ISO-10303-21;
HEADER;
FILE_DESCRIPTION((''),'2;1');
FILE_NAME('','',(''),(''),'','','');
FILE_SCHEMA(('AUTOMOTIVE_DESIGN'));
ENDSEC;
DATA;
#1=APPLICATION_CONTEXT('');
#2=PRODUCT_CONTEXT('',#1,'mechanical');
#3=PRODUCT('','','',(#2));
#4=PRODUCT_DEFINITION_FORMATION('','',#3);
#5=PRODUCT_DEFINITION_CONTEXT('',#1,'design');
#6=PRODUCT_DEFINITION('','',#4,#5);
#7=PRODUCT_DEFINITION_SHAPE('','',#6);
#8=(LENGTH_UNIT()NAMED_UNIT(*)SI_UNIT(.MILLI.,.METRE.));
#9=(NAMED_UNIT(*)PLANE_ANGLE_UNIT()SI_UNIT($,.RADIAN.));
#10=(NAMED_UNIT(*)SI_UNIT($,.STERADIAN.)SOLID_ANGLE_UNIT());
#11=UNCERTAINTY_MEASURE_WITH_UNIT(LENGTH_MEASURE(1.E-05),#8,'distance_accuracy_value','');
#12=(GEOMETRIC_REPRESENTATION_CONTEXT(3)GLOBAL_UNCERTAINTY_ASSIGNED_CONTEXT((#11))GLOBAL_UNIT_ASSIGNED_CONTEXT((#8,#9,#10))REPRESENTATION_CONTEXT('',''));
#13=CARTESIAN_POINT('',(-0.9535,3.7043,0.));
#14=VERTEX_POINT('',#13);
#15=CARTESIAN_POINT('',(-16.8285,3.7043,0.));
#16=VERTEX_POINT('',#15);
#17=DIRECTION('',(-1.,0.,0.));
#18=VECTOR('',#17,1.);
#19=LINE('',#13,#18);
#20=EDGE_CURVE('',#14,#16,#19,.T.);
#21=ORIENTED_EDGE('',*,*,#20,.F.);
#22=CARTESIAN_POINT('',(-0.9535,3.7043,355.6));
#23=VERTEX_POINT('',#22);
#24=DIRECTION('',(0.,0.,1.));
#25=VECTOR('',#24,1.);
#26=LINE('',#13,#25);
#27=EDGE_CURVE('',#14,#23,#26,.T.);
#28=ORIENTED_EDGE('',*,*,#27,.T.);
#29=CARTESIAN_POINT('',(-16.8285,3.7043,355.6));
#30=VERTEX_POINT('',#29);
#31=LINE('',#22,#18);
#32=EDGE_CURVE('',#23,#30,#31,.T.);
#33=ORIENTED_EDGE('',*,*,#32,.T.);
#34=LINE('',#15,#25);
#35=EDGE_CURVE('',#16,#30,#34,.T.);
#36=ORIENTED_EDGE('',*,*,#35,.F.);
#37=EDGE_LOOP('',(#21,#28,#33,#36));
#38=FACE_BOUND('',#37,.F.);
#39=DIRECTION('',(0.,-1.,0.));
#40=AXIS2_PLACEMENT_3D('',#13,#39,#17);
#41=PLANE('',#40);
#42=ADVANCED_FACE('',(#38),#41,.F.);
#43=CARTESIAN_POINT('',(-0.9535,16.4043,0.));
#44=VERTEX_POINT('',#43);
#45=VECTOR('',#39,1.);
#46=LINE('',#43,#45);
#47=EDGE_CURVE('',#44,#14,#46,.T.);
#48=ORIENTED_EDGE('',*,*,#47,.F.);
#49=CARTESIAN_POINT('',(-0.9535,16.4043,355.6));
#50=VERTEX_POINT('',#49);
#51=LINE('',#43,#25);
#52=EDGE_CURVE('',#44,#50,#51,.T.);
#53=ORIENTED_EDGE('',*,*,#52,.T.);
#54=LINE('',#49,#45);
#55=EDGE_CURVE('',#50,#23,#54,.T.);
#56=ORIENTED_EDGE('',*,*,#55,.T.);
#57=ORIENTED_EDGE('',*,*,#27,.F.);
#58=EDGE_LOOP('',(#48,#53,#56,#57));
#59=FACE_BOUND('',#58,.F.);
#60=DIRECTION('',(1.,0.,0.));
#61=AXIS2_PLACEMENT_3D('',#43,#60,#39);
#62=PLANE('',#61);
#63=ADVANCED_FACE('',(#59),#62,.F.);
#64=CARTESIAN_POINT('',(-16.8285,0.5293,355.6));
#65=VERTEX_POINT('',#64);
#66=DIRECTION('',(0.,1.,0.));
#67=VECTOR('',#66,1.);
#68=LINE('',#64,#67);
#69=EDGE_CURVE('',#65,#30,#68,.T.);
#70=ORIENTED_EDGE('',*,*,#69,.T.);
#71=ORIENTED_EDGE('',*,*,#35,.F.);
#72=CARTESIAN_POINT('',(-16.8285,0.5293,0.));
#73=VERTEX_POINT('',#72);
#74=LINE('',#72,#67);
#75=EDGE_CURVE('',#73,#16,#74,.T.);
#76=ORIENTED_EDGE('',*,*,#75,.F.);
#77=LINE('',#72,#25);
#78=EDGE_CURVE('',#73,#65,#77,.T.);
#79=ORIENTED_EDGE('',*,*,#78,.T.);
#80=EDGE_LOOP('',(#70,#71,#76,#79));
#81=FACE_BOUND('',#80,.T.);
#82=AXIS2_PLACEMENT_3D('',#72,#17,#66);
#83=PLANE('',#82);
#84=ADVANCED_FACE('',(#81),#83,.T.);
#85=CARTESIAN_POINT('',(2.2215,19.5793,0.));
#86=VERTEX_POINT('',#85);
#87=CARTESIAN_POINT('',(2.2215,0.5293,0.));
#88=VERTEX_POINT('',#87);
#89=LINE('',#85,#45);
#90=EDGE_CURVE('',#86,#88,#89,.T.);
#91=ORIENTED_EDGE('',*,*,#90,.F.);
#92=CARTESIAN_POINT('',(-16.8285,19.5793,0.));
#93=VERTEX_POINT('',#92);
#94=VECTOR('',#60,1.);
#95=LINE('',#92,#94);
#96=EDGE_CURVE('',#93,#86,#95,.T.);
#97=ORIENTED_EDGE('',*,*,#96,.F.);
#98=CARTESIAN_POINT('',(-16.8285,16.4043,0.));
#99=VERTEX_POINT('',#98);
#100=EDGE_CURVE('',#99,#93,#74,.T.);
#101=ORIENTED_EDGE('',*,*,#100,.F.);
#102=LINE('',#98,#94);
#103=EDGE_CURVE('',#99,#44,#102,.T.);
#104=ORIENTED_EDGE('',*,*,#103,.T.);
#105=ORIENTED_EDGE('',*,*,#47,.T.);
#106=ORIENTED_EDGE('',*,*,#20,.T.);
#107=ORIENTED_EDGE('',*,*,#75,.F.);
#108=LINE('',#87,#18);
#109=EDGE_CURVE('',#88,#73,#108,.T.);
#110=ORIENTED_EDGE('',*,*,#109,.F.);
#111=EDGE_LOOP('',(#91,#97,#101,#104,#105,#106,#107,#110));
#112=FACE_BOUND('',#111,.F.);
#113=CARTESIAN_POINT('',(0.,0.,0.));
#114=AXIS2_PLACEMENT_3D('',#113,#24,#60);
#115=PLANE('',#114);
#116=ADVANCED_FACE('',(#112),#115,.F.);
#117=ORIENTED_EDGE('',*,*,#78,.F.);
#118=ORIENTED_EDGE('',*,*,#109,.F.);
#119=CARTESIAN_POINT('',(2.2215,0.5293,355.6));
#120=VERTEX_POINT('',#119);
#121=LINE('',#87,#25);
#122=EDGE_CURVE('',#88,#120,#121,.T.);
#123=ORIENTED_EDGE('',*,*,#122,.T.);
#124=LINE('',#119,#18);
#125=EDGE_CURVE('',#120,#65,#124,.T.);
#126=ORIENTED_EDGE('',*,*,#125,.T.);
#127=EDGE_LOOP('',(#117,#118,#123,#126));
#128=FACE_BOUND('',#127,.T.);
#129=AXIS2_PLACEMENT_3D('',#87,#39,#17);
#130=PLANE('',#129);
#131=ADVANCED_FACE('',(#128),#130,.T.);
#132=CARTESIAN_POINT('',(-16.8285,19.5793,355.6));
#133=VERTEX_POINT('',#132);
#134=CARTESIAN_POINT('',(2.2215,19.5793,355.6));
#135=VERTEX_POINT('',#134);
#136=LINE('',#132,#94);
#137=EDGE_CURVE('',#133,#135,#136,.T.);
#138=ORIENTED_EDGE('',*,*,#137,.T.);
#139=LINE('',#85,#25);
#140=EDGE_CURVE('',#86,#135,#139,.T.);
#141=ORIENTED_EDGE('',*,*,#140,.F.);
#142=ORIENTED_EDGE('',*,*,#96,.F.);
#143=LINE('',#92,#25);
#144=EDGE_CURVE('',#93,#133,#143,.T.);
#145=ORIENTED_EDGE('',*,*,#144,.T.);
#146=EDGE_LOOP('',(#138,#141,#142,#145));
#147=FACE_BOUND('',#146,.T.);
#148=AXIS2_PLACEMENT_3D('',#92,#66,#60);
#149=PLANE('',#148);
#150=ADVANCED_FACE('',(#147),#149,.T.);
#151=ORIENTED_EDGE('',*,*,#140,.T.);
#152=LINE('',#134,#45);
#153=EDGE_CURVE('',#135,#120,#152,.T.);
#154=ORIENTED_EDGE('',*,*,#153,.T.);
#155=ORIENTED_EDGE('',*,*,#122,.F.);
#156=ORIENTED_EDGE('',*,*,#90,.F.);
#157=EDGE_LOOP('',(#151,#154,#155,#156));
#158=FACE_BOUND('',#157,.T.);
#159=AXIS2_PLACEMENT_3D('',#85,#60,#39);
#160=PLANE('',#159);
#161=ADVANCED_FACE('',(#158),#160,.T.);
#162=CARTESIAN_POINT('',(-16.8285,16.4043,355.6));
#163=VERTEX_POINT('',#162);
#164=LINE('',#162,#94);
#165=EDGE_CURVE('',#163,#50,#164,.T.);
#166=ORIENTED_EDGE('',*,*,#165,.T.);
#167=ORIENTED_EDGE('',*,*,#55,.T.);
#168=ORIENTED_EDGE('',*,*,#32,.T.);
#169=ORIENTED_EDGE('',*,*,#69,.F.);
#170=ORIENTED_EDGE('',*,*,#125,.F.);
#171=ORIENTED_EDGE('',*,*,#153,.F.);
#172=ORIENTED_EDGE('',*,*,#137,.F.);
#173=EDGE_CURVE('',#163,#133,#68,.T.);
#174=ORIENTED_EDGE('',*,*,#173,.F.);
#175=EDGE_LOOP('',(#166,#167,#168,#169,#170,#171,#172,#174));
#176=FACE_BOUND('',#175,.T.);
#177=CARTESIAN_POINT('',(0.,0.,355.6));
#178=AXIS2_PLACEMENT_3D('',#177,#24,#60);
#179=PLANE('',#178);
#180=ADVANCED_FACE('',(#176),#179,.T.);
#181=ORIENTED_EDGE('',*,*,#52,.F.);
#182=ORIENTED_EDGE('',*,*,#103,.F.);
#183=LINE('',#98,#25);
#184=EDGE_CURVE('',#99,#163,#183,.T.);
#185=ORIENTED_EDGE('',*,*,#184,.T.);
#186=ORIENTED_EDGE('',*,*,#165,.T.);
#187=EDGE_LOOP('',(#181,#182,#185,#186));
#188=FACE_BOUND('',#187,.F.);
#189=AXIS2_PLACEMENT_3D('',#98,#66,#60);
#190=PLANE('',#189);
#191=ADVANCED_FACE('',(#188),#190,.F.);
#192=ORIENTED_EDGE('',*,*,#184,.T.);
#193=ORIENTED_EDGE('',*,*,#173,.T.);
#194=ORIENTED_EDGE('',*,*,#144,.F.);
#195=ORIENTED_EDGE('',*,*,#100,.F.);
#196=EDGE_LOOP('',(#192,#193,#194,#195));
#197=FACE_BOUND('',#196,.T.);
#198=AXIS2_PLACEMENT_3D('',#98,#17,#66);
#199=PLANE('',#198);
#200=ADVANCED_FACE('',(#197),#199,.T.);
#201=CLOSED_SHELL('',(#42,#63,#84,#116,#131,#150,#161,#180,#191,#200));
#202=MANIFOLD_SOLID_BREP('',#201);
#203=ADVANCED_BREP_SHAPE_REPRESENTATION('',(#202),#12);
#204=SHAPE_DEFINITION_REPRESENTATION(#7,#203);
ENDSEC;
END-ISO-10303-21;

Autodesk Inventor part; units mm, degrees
ref_plane "YZ Plane" through (0, 0, 0) normal (1, 0, 0) x (0, 1, 0)
ref_plane "XZ Plane" through (0, 0, 0) normal (0, 1, 0) x (-1, 0, 0)
ref_plane "XY Plane" through (0, 0, 0) normal (0, 0, 1) x (1, 0, 0)
sketch "Sketch1" plane through (0, 0, 0) normal (0, 0, 1) x (1, 0, 0)
  line L0 (-16.8285, 19.5793) -> (2.2215, 19.5793)
  line L1 (2.2215, 19.5793) -> (2.2215, 0.5293)
  line L2 (2.2215, 0.5293) -> (-16.8285, 0.5293)
  line L3 (-16.8285, 0.5293) -> (-16.8285, 19.5793)
  line L4 (-16.8285, 16.4043) -> (-0.9535, 16.4043)
  line L5 (-0.9535, 16.4043) -> (-0.9535, 3.7043)
  line L6 (-0.9535, 3.7043) -> (-16.8285, 3.7043)
  line L7 (-16.8285, 3.7043) -> (-16.8285, 16.4043)
  dimension "d0" = 19.05
  dimension "d1" = 19.05
  dimension "d2" = 3.175
  dimension "d3" = 3.175
  dimension "d4" = 3.175
extrude "Extrusion1" add sketch "Sketch1" along normal blind 355.6 contours L0 L1 L2 L3 L6 L5 L4
properties part number "GE-12016-08"
